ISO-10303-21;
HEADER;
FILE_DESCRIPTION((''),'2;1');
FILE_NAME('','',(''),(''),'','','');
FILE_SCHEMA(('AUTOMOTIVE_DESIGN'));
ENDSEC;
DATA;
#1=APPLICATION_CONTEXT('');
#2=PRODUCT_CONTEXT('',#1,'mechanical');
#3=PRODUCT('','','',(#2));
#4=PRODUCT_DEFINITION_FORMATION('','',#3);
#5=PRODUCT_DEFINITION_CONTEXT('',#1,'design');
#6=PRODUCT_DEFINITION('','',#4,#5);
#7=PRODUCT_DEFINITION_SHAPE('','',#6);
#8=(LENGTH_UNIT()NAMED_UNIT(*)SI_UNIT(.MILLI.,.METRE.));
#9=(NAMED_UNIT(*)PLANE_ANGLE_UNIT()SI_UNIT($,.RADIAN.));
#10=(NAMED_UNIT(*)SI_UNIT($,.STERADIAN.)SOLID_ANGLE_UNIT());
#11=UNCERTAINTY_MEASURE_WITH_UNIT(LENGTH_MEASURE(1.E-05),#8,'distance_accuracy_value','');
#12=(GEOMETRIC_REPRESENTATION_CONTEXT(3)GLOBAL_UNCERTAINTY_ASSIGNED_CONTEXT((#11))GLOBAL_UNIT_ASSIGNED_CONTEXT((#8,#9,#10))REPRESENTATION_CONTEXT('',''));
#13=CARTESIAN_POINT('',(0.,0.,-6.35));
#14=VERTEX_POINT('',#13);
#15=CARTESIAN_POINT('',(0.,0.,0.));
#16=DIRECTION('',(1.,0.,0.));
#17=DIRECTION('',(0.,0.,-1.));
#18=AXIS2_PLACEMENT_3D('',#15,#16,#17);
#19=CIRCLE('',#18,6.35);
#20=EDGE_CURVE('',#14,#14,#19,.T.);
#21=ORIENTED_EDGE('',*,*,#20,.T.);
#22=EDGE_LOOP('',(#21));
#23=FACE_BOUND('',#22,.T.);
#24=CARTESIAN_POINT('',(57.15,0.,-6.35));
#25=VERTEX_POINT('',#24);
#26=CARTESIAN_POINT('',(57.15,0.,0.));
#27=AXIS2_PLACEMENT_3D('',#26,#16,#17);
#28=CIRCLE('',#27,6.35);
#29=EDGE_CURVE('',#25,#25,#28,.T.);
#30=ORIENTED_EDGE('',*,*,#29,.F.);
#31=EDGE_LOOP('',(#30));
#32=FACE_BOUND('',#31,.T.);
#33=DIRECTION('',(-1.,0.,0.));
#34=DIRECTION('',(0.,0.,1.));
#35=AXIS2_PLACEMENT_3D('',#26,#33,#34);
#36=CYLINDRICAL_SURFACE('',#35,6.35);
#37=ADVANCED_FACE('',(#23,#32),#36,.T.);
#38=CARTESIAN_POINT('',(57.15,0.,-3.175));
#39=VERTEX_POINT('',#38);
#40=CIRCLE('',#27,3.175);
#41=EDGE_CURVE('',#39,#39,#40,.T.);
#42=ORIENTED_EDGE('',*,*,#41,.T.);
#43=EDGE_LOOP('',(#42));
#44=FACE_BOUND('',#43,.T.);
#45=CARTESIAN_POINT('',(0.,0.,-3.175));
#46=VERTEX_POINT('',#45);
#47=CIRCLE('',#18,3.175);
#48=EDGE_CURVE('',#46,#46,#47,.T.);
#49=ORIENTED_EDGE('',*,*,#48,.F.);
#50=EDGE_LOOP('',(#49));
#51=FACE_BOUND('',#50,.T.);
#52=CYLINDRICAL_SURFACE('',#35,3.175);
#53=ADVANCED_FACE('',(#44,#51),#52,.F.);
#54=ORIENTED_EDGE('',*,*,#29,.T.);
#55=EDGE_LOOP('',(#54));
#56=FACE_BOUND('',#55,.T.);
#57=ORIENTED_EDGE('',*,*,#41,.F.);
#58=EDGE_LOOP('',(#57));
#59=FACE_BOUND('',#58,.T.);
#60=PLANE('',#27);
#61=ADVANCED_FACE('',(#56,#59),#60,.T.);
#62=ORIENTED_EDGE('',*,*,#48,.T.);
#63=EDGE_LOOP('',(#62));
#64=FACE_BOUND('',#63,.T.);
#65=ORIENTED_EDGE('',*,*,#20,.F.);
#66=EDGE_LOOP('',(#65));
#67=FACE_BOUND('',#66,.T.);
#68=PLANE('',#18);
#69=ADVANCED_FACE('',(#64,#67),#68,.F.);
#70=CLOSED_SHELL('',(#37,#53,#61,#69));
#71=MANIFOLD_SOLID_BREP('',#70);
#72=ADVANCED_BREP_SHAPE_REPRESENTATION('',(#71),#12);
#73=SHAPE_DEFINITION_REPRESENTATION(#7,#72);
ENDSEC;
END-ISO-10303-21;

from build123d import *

# Parameters (mm, degrees)
SKETCH1_R                  = 6.35
SKETCH1_R_2                = 3.175
ALUMINA_TUBE_EXTRUDE_DEPTH = 57.15


with BuildPart() as part:
    # Sketch1 → Alumina Tube Extrude (new body)
    with BuildSketch(Plane(origin=(0, 0, 0), x_dir=(0, 0, -1), z_dir=(1, 0, 0))):
        Circle(SKETCH1_R)
        Circle(SKETCH1_R_2, mode=Mode.SUBTRACT)
    extrude(amount=ALUMINA_TUBE_EXTRUDE_DEPTH)


solid = part.part
